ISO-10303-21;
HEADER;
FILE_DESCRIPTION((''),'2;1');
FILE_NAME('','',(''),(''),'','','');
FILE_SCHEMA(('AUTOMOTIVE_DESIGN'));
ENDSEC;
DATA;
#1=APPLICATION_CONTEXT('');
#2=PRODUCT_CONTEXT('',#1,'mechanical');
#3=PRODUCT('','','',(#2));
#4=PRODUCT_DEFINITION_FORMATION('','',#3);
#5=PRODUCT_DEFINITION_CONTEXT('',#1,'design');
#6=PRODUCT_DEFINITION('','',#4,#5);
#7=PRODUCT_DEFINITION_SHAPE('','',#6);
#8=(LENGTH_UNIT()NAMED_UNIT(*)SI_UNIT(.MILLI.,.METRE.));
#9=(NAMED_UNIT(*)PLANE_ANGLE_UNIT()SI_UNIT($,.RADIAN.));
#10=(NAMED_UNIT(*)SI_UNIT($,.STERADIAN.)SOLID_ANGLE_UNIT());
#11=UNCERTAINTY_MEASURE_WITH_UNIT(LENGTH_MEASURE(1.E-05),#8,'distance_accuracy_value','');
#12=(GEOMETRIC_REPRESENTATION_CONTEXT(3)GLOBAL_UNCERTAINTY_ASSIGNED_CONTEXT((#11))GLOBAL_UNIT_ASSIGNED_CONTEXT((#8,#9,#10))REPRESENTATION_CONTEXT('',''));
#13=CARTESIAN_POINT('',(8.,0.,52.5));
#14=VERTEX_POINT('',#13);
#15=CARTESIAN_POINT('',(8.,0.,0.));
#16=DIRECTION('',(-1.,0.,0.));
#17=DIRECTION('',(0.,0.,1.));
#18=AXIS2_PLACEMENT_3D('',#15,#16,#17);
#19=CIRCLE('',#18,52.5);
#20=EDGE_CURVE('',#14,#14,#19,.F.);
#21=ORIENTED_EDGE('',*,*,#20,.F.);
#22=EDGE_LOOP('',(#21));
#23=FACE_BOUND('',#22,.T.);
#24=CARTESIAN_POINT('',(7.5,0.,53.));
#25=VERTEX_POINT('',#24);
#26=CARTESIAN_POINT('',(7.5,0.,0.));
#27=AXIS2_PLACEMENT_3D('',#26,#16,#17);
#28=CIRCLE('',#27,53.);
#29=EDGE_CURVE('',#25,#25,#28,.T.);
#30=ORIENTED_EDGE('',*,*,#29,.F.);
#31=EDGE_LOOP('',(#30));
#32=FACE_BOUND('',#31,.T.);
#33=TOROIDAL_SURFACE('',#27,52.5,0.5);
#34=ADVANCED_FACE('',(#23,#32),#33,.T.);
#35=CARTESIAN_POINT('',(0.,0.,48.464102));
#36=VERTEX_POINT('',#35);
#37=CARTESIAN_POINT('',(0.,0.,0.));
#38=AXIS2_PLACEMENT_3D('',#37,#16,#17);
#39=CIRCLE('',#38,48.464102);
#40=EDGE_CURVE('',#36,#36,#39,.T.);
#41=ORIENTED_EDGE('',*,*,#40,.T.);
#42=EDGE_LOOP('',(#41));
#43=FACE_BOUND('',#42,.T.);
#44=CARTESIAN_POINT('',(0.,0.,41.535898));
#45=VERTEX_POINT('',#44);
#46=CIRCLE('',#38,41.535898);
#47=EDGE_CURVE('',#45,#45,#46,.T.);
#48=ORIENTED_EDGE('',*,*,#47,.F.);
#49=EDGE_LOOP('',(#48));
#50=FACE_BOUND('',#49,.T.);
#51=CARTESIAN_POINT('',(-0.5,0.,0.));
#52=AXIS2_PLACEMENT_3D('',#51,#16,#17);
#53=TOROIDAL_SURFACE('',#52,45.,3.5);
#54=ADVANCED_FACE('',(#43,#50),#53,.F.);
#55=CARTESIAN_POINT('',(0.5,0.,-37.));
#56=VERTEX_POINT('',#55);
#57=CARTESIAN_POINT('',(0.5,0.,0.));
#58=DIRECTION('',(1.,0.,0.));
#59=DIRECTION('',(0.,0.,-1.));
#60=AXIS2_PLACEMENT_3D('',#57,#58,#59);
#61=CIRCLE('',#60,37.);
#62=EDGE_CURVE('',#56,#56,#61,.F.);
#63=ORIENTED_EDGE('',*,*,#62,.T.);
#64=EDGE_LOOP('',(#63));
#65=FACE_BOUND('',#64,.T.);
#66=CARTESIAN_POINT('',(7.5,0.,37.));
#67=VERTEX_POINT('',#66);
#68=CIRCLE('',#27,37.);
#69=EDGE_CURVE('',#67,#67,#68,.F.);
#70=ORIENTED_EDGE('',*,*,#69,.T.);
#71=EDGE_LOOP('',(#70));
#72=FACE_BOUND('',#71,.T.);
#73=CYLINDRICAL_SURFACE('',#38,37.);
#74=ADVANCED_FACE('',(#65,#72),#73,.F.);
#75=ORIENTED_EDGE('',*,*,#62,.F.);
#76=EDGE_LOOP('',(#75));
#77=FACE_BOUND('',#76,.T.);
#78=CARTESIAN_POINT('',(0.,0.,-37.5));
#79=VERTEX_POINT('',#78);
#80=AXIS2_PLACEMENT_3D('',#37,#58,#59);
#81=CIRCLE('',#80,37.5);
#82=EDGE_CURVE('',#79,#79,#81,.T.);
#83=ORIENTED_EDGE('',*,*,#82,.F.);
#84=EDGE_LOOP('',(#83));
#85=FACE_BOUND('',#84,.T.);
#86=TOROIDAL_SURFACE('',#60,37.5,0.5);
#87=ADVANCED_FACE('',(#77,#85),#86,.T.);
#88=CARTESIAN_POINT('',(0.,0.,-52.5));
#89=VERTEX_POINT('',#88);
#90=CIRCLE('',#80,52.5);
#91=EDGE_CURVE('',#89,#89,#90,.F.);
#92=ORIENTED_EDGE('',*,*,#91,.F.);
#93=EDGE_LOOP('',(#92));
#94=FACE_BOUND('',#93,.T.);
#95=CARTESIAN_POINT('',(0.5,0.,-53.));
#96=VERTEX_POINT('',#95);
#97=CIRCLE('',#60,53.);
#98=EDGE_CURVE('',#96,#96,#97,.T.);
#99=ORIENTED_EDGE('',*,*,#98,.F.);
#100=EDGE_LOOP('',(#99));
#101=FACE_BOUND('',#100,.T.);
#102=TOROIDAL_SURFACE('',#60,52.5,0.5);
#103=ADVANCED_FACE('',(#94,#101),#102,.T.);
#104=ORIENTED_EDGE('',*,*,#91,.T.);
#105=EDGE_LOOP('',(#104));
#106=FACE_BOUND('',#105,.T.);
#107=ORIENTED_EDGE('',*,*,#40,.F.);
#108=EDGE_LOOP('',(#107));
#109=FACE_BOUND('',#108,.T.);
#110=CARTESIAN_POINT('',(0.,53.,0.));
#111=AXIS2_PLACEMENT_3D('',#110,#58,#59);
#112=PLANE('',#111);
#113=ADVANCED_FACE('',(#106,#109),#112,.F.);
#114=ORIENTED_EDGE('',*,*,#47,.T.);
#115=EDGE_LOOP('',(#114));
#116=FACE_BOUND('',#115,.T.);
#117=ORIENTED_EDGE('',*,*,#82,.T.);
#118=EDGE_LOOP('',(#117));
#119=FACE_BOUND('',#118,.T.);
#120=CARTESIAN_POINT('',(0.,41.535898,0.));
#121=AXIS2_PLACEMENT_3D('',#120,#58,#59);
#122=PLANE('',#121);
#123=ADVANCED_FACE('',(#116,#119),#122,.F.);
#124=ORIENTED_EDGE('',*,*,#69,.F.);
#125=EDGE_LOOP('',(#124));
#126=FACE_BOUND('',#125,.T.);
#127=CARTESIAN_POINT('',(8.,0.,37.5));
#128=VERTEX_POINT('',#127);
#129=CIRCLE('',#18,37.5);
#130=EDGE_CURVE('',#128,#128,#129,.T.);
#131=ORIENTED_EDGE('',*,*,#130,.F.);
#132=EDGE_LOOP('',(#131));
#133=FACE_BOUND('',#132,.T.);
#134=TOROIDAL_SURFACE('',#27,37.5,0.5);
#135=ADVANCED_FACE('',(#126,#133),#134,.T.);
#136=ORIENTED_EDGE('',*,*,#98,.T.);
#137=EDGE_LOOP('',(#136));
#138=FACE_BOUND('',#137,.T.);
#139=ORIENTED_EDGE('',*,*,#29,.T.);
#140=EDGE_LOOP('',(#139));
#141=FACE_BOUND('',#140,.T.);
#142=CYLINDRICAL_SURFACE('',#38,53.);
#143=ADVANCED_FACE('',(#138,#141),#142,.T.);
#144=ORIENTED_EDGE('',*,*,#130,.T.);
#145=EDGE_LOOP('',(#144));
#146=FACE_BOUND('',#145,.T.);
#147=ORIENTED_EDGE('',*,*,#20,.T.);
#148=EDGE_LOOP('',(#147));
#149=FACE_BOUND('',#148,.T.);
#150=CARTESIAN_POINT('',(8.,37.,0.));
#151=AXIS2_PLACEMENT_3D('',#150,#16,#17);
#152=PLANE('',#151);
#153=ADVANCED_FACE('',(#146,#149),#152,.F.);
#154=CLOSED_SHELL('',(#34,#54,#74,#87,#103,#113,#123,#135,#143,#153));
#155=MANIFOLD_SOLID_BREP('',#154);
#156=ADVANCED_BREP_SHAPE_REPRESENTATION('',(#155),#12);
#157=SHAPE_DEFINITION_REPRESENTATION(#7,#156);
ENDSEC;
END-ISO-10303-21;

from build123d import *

# Parameters (mm, degrees)
FILLET_1_R = 0.5


with BuildPart() as part:
    # Эскиз1 → Повернуть1 (revolve)
    with BuildSketch(Plane.XY, mode=Mode.PRIVATE) as revolve_1_sk:
        with BuildLine():
            Line((0, 37), (8, 37))
            Line((8, 37), (8, 53))
            Line((8, 53), (0, 53))
            Line((0, 53), (0, 48.464101615))
            ThreePointArc((0, 48.464101615), (3, 45), (0, 41.535898385))
            Line((0, 41.535898385), (0, 37))
        make_face()
    revolve(revolve_1_sk.sketch.rotate(Axis((0, 0, 0), (1, 0, 0)), 90), axis=Axis((0, 0, 0), (1, 0, 0)))

    # Скругление1
    fillet_1_edges = [part.edges().sort_by_distance(p)[0] for p in [
        (0, 0, -53),
        (8, 0, -53),
        (8, 0, -37),
        (0, 0, -37),
    ]]
    fillet(fillet_1_edges, radius=FILLET_1_R)


solid = part.part
